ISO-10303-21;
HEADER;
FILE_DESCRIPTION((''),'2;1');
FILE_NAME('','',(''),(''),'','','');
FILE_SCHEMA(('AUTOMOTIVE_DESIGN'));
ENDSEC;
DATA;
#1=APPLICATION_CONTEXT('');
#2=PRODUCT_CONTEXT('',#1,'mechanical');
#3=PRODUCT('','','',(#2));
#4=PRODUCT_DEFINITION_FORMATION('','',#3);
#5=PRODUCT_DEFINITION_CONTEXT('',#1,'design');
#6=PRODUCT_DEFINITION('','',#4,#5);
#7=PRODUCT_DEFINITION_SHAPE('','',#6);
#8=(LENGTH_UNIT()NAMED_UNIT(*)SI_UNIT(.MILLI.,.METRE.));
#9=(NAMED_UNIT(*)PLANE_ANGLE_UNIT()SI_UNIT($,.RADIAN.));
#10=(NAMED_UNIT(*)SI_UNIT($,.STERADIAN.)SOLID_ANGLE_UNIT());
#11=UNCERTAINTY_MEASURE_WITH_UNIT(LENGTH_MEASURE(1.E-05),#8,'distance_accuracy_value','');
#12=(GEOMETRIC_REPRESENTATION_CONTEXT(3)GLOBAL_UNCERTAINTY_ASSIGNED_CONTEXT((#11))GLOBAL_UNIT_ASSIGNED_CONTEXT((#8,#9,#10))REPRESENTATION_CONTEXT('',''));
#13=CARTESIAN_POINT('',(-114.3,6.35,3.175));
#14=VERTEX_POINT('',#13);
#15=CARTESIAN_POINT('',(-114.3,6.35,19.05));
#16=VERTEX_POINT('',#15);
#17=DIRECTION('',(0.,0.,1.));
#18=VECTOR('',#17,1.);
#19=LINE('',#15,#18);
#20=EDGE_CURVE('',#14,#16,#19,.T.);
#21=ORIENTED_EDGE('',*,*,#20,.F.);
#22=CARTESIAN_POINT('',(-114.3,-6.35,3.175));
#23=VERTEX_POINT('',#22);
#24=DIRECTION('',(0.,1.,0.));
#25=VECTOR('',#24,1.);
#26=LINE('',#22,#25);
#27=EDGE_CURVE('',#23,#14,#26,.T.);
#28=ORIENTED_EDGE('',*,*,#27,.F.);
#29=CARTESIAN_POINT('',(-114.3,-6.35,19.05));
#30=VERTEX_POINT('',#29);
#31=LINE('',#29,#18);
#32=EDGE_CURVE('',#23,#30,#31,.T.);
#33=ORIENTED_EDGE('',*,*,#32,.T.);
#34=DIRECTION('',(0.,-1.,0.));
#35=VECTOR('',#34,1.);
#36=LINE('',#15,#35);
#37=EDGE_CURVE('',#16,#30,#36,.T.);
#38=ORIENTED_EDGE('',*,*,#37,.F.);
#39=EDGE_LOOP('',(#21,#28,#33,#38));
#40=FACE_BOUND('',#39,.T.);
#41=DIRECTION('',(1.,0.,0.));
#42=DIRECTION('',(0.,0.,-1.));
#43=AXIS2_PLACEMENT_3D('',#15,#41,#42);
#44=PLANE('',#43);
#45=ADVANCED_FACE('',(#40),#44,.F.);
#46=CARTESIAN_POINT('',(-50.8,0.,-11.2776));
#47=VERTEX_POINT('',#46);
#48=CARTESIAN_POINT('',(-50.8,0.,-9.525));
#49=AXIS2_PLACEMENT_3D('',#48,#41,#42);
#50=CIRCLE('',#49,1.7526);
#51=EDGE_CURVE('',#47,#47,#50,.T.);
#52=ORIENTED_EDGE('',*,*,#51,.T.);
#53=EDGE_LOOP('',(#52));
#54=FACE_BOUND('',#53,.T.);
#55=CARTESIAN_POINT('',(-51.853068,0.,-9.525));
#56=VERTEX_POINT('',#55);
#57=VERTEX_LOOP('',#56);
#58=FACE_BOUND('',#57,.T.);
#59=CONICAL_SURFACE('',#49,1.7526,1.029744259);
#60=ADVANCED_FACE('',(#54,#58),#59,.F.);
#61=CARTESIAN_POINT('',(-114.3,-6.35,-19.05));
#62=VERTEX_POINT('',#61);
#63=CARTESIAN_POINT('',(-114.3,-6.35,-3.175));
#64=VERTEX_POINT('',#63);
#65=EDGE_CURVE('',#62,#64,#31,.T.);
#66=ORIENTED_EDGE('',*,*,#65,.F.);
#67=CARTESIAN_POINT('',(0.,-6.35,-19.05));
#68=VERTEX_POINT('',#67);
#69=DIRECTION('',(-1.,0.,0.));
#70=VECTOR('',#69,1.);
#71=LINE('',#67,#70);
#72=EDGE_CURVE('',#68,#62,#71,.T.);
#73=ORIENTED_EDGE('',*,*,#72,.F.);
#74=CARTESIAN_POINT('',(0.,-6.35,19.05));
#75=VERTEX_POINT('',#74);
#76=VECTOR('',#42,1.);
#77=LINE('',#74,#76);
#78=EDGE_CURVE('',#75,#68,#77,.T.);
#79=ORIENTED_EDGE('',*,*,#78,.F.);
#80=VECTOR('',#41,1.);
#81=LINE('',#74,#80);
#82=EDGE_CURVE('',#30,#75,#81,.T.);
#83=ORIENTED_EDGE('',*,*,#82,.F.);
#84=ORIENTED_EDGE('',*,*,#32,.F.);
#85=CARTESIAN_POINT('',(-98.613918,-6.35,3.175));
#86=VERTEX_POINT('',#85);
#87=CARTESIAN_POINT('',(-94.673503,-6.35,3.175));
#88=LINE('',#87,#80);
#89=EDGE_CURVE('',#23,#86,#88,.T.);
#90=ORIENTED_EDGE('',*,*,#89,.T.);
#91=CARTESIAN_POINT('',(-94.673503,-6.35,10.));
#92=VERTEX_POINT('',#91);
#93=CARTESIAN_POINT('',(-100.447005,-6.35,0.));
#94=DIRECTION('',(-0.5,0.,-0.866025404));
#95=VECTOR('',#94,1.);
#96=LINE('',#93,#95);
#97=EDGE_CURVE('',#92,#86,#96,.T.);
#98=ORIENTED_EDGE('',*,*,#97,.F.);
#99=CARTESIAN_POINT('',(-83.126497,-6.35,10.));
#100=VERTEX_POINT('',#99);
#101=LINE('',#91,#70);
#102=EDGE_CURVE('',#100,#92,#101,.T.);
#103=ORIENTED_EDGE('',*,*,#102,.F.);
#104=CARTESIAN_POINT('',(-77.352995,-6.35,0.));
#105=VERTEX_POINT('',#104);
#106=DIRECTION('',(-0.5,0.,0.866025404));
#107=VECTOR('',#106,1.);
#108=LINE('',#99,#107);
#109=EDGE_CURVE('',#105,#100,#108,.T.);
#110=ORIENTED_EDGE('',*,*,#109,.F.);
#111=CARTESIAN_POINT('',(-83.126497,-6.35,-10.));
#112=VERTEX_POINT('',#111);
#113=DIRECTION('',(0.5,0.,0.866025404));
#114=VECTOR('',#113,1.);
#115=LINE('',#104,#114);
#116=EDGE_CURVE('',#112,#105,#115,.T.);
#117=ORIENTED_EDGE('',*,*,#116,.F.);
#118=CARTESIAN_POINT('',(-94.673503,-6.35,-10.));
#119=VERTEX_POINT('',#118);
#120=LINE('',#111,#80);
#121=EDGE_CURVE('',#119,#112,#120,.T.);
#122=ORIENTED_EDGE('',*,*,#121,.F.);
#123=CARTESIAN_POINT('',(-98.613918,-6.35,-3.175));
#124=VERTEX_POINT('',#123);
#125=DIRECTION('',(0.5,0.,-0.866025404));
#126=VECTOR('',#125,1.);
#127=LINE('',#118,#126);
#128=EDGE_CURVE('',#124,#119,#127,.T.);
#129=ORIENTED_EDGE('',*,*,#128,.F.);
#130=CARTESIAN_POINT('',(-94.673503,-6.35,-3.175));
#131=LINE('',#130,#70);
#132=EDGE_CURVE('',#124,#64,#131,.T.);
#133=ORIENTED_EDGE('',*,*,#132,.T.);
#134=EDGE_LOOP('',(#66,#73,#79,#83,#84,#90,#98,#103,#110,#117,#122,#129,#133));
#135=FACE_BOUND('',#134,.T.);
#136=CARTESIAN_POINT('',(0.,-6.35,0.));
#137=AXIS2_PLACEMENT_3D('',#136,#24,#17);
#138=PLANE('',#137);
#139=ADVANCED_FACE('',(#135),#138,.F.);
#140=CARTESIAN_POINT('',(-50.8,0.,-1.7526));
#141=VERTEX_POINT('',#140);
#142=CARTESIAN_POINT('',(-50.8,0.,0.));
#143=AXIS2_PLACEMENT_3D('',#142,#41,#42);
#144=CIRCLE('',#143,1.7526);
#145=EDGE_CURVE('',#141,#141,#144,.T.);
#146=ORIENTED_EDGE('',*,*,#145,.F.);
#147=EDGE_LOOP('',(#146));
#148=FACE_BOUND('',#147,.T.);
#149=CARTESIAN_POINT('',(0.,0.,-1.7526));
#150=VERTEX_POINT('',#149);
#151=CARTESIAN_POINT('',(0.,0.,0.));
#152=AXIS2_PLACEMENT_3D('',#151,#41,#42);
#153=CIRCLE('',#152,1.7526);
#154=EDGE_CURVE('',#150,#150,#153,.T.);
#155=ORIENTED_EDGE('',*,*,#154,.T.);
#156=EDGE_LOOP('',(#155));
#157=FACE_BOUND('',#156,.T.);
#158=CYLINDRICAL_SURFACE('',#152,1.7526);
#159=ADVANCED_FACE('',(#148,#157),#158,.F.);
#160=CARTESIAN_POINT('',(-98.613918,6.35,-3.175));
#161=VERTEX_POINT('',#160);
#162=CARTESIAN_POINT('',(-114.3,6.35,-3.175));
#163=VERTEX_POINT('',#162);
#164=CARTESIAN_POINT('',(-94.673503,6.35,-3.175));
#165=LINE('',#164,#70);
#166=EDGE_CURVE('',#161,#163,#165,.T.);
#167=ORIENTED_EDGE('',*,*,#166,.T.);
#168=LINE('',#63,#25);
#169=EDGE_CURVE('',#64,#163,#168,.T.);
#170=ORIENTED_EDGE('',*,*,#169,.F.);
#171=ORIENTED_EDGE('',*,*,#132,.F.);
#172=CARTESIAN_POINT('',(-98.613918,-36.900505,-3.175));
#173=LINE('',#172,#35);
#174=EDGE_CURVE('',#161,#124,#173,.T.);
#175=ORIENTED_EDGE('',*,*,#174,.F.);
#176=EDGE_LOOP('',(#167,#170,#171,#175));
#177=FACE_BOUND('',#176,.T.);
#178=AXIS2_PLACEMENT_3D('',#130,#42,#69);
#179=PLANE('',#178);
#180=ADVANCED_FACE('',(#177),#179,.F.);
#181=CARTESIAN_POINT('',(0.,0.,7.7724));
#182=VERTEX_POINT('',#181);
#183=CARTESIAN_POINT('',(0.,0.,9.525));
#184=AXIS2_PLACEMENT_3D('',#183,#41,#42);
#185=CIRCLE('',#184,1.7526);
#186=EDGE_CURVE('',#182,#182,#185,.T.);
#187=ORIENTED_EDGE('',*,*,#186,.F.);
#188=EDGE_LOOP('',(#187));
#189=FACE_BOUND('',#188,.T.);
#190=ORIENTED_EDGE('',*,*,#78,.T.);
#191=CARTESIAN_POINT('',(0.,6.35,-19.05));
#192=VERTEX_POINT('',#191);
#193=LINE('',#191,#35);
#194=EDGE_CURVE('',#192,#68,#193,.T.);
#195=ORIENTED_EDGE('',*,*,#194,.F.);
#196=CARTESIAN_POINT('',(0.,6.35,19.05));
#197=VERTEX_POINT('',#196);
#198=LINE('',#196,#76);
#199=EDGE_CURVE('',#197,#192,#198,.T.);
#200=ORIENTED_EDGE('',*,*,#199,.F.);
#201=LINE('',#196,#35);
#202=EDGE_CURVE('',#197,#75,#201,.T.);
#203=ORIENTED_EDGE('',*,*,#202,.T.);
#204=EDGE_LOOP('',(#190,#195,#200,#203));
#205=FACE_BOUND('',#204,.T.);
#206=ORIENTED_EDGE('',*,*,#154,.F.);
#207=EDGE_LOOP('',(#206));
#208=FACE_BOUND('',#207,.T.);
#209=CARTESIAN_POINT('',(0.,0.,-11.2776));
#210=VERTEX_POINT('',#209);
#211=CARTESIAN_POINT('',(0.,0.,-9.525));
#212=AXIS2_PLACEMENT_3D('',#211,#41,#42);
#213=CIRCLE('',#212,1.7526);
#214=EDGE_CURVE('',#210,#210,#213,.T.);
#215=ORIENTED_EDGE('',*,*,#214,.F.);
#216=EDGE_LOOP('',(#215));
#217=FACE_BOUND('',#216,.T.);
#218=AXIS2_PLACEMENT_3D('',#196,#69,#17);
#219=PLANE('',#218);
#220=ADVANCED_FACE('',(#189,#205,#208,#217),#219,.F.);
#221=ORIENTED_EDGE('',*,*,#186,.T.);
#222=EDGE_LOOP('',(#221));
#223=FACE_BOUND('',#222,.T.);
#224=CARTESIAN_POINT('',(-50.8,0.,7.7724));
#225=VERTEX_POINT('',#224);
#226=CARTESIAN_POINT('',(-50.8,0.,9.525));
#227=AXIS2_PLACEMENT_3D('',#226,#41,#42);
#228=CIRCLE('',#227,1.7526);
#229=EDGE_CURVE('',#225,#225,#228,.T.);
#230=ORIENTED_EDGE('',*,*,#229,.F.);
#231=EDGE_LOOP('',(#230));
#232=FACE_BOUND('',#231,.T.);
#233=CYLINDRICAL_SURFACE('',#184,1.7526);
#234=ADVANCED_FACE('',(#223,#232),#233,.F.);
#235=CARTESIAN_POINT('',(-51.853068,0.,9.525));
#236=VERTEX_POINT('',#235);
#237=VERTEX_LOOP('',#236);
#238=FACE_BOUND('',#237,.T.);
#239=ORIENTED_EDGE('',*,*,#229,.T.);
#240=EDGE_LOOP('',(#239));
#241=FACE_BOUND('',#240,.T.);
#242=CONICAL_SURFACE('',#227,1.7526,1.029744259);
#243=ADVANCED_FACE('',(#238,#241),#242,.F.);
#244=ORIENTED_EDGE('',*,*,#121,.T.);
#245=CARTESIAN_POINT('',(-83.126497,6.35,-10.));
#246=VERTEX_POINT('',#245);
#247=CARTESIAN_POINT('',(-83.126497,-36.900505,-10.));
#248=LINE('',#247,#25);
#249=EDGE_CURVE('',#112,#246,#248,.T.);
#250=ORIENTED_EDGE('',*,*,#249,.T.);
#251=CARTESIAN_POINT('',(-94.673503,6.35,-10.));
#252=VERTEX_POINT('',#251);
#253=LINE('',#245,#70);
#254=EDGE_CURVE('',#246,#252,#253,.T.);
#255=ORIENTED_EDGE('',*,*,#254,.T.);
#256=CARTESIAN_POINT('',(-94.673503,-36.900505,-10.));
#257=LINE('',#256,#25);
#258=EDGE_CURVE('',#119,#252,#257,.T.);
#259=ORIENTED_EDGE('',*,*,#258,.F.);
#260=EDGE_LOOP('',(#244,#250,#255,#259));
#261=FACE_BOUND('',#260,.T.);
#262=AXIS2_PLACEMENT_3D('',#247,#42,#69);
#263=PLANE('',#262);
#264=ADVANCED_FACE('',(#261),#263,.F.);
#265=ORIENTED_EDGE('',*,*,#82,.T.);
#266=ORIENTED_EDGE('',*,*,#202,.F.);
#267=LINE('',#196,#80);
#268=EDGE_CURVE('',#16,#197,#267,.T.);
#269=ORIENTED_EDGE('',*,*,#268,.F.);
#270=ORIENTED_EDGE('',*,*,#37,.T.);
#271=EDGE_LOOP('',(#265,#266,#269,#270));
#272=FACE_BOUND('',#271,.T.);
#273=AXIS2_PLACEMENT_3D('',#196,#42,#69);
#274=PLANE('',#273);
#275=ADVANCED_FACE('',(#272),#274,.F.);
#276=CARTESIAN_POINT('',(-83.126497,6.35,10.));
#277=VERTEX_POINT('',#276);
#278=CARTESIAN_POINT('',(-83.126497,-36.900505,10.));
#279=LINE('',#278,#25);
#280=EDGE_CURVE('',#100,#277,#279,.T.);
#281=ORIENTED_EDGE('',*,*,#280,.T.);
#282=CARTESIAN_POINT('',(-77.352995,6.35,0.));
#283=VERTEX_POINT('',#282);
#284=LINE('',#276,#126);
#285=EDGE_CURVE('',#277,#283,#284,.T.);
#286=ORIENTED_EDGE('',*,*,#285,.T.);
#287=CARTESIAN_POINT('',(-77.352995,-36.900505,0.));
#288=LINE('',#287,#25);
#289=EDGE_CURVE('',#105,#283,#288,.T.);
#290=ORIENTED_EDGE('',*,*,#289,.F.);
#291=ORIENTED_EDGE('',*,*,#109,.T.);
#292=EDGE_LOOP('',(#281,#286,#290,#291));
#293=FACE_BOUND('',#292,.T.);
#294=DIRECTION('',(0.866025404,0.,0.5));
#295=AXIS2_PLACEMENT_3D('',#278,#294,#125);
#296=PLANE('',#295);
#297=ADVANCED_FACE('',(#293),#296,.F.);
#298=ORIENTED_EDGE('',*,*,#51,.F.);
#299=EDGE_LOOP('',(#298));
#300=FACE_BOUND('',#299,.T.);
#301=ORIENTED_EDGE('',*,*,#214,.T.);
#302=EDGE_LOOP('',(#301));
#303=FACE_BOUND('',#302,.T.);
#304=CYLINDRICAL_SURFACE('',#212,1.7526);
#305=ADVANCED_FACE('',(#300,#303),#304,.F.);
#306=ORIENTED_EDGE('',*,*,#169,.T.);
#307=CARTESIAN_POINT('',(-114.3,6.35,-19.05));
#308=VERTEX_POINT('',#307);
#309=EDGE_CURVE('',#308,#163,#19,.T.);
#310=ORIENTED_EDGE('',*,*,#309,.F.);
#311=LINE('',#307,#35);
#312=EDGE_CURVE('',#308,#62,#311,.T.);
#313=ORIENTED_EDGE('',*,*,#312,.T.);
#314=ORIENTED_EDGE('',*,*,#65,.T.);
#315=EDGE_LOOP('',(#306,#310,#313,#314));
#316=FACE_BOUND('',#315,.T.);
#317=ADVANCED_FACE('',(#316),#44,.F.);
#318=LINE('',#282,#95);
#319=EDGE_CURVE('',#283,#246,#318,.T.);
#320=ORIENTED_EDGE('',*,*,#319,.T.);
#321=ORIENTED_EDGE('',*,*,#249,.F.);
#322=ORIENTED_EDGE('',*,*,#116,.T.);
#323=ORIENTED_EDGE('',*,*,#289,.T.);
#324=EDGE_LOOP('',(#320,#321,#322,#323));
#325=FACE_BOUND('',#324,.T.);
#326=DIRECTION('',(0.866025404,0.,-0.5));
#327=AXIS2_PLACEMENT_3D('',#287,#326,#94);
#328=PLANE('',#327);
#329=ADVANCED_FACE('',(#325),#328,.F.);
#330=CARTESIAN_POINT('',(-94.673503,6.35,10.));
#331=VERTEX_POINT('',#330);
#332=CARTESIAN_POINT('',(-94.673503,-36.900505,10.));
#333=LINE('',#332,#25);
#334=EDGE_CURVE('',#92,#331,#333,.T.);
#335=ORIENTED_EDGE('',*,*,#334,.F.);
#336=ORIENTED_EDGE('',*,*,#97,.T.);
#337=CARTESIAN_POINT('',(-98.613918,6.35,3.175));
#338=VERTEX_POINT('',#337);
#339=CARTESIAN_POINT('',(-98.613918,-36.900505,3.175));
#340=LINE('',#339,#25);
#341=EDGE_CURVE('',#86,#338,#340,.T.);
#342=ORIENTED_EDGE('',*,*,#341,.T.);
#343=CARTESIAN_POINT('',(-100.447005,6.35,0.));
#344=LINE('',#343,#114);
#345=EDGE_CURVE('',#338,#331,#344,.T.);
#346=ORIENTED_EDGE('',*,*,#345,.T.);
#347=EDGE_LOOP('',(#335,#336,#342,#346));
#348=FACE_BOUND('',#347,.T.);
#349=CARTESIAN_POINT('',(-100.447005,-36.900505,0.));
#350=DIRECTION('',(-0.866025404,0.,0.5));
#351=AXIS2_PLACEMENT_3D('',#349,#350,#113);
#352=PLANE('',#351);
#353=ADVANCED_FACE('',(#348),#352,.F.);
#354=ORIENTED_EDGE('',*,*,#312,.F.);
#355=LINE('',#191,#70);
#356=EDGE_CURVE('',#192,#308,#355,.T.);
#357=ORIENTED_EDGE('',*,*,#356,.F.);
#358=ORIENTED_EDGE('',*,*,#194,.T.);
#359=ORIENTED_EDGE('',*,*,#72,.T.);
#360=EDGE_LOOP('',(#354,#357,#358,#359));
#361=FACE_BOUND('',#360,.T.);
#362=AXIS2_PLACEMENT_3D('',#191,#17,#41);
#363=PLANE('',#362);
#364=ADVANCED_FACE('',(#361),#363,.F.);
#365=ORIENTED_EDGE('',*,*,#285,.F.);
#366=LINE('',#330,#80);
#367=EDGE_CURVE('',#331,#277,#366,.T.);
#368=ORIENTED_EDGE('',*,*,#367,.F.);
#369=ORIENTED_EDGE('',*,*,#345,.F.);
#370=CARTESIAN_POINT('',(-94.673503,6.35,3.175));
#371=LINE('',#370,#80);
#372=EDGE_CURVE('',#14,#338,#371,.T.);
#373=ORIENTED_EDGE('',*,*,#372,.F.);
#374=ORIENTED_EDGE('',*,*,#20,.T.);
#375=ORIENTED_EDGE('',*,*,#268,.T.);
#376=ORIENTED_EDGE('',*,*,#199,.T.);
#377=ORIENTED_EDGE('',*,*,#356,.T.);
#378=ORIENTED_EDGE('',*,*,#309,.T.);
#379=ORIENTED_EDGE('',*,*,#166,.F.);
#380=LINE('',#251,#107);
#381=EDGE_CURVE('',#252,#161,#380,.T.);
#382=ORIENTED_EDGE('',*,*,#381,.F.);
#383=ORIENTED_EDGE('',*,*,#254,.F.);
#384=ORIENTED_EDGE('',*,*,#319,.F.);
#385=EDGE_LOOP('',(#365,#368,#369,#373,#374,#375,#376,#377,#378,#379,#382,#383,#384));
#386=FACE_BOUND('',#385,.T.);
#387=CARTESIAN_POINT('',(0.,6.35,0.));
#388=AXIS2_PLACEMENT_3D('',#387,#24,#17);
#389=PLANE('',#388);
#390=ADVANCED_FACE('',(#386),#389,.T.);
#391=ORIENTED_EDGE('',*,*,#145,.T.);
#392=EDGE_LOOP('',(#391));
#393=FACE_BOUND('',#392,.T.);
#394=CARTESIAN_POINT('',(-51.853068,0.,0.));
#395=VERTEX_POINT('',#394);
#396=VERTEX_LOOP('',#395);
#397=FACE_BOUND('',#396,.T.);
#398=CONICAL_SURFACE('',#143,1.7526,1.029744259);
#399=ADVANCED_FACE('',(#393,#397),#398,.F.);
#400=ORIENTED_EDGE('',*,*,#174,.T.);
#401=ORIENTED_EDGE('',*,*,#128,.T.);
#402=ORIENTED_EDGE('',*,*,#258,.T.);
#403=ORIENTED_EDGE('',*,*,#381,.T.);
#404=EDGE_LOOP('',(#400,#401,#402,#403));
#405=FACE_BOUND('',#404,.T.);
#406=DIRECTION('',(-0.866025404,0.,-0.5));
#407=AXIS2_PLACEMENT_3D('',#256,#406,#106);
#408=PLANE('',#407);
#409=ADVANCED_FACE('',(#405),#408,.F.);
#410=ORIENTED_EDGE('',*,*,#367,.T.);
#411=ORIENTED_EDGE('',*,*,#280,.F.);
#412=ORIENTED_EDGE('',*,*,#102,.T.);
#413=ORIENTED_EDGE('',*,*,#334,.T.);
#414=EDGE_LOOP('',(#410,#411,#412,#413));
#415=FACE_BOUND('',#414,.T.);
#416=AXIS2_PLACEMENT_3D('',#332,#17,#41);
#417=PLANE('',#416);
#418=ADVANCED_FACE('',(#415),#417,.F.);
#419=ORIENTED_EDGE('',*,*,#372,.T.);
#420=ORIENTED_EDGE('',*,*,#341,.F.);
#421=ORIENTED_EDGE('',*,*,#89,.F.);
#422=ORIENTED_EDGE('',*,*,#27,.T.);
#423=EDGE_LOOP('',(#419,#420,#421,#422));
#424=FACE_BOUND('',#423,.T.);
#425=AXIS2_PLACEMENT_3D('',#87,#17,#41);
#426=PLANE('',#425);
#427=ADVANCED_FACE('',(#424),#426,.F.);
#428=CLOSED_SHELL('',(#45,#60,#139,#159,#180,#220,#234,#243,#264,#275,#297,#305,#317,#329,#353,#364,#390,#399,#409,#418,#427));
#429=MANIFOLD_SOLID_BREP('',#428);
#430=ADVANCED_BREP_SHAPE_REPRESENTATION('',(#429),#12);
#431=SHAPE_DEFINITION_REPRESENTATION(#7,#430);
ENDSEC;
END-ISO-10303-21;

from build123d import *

# Parameters (mm, degrees)
SKETCH1_W                  = 114.3
SKETCH1_H                  = 38.1
BOSS_EXTRUDE1_DEPTH        = 6.35
F_6_32_THREADED_HOLE_D     = 3.5052
F_6_32_THREADED_HOLE_DEPTH = 50.8
F_6_32_THREADED_HOLE_TIP   = 1.053068321
CUT_EXTRUDE1_DEPTH         = 12.7
SKETCH8_W                  = 19.626497308
SKETCH8_H                  = 6.35
CUT_EXTRUDE2_DEPTH         = 117.570504417


with BuildPart() as part:
    # Sketch1 → Boss-Extrude1 (new, symmetric)
    with BuildSketch(Plane(origin=(0, 0, 0), x_dir=(1, 0, 0), z_dir=(0, 1, 0))):
        with Locations((-57.15, 0)):
            Rectangle(SKETCH1_W, SKETCH1_H)
    extrude(amount=BOSS_EXTRUDE1_DEPTH, both=True)

    # #6-32 Threaded Hole
    with Locations(Plane(origin=(0, 0, 0), x_dir=(0, 0, -1), z_dir=(1, 0, 0))):
        with Locations((0, 0), (9.525, 0), (-9.525, 0)):
            Hole(F_6_32_THREADED_HOLE_D / 2, depth=F_6_32_THREADED_HOLE_DEPTH)
            with Locations((0, 0, -(F_6_32_THREADED_HOLE_DEPTH + F_6_32_THREADED_HOLE_TIP / 2))):  # 118° drill point
                Cone(0, F_6_32_THREADED_HOLE_D / 2, F_6_32_THREADED_HOLE_TIP, mode=Mode.SUBTRACT)

    # Sketch5 → Cut-Extrude1 (cut)
    with BuildSketch(Plane(origin=(0, 6.35, 0), x_dir=(1, 0, 0), z_dir=(0, 1, 0))):
        Polygon((-83.126497308, -10), (-77.352994616, 0), (-83.126497308, 10), (-94.673502692, 10), (-100.447005384, 0), (-94.673502692, -10), align=None)
    extrude(amount=-CUT_EXTRUDE1_DEPTH, mode=Mode.SUBTRACT)

    # Sketch8 → Cut-Extrude2 (cut, through all)
    with BuildSketch(Plane(origin=(0, 6.35, 0), x_dir=(1, 0, 0), z_dir=(0, 1, 0))):
        with Locations((-104.486751346, 0)):
            Rectangle(SKETCH8_W, SKETCH8_H)
    extrude(amount=-CUT_EXTRUDE2_DEPTH, mode=Mode.SUBTRACT)


solid = part.part
